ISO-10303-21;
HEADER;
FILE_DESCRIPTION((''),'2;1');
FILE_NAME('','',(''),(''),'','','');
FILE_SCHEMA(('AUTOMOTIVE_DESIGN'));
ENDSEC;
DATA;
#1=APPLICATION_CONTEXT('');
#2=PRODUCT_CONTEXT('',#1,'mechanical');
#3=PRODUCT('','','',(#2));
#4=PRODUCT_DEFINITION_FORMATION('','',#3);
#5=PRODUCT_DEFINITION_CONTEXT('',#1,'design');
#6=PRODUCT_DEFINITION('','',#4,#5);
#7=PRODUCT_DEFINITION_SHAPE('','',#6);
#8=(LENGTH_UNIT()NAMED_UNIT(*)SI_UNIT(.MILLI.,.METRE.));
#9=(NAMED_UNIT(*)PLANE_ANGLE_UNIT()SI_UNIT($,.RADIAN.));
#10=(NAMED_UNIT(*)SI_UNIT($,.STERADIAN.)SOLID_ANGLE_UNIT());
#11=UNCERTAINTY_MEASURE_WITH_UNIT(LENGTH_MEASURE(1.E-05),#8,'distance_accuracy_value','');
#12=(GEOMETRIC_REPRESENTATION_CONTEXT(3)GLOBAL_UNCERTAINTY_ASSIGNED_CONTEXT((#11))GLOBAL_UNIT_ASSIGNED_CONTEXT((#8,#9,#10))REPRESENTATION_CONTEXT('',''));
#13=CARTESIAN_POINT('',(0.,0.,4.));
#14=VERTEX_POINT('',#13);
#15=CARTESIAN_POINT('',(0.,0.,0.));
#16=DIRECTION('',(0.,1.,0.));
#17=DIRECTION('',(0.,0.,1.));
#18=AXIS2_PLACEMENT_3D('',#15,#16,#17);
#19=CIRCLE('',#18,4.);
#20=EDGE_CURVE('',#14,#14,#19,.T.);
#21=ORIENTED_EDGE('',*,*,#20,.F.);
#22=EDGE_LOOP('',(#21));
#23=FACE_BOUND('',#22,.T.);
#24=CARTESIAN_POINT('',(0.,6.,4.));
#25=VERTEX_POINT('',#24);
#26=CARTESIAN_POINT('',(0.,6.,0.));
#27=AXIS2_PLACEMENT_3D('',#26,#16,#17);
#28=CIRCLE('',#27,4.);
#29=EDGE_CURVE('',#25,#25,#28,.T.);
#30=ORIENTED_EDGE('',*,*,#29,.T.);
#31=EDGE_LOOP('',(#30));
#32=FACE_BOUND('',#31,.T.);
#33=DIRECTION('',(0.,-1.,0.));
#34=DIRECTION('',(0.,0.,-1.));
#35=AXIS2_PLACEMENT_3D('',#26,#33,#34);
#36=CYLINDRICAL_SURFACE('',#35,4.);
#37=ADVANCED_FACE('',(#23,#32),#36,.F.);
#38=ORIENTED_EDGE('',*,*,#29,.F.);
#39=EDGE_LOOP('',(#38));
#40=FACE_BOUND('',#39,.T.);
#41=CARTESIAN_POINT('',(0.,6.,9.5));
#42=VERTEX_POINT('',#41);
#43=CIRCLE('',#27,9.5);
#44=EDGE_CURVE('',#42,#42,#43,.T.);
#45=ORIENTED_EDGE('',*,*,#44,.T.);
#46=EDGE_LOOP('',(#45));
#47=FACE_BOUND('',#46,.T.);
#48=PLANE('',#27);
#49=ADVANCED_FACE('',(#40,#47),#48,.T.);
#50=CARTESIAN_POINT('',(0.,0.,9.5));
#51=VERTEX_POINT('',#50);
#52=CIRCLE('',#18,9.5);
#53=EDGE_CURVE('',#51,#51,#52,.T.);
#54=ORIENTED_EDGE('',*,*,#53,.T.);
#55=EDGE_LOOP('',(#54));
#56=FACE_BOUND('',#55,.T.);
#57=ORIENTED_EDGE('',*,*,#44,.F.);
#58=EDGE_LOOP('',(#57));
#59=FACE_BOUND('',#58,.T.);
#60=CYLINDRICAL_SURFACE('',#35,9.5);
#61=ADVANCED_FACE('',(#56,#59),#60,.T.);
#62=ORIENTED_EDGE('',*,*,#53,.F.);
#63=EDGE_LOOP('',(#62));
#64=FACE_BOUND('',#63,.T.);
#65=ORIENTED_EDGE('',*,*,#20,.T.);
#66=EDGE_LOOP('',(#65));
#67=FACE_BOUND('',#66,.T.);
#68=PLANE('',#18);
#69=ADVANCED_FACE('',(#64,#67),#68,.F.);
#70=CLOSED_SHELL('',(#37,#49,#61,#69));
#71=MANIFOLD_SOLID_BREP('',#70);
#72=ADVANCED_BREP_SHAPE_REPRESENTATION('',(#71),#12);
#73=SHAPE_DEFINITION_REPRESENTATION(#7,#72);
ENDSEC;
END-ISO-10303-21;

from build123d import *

# Parameters (mm, degrees)
SKETCH1_R           = 9.5
SKETCH1_R_2         = 4
BOSS_EXTRUDE1_DEPTH = 6


with BuildPart() as part:
    # Sketch1 → Boss-Extrude1 (new body)
    with BuildSketch(Plane(origin=(0, 0, 0), x_dir=(1, 0, 0), z_dir=(0, 1, 0))):
        Circle(SKETCH1_R)
        Circle(SKETCH1_R_2, mode=Mode.SUBTRACT)
    extrude(amount=BOSS_EXTRUDE1_DEPTH)


solid = part.part
